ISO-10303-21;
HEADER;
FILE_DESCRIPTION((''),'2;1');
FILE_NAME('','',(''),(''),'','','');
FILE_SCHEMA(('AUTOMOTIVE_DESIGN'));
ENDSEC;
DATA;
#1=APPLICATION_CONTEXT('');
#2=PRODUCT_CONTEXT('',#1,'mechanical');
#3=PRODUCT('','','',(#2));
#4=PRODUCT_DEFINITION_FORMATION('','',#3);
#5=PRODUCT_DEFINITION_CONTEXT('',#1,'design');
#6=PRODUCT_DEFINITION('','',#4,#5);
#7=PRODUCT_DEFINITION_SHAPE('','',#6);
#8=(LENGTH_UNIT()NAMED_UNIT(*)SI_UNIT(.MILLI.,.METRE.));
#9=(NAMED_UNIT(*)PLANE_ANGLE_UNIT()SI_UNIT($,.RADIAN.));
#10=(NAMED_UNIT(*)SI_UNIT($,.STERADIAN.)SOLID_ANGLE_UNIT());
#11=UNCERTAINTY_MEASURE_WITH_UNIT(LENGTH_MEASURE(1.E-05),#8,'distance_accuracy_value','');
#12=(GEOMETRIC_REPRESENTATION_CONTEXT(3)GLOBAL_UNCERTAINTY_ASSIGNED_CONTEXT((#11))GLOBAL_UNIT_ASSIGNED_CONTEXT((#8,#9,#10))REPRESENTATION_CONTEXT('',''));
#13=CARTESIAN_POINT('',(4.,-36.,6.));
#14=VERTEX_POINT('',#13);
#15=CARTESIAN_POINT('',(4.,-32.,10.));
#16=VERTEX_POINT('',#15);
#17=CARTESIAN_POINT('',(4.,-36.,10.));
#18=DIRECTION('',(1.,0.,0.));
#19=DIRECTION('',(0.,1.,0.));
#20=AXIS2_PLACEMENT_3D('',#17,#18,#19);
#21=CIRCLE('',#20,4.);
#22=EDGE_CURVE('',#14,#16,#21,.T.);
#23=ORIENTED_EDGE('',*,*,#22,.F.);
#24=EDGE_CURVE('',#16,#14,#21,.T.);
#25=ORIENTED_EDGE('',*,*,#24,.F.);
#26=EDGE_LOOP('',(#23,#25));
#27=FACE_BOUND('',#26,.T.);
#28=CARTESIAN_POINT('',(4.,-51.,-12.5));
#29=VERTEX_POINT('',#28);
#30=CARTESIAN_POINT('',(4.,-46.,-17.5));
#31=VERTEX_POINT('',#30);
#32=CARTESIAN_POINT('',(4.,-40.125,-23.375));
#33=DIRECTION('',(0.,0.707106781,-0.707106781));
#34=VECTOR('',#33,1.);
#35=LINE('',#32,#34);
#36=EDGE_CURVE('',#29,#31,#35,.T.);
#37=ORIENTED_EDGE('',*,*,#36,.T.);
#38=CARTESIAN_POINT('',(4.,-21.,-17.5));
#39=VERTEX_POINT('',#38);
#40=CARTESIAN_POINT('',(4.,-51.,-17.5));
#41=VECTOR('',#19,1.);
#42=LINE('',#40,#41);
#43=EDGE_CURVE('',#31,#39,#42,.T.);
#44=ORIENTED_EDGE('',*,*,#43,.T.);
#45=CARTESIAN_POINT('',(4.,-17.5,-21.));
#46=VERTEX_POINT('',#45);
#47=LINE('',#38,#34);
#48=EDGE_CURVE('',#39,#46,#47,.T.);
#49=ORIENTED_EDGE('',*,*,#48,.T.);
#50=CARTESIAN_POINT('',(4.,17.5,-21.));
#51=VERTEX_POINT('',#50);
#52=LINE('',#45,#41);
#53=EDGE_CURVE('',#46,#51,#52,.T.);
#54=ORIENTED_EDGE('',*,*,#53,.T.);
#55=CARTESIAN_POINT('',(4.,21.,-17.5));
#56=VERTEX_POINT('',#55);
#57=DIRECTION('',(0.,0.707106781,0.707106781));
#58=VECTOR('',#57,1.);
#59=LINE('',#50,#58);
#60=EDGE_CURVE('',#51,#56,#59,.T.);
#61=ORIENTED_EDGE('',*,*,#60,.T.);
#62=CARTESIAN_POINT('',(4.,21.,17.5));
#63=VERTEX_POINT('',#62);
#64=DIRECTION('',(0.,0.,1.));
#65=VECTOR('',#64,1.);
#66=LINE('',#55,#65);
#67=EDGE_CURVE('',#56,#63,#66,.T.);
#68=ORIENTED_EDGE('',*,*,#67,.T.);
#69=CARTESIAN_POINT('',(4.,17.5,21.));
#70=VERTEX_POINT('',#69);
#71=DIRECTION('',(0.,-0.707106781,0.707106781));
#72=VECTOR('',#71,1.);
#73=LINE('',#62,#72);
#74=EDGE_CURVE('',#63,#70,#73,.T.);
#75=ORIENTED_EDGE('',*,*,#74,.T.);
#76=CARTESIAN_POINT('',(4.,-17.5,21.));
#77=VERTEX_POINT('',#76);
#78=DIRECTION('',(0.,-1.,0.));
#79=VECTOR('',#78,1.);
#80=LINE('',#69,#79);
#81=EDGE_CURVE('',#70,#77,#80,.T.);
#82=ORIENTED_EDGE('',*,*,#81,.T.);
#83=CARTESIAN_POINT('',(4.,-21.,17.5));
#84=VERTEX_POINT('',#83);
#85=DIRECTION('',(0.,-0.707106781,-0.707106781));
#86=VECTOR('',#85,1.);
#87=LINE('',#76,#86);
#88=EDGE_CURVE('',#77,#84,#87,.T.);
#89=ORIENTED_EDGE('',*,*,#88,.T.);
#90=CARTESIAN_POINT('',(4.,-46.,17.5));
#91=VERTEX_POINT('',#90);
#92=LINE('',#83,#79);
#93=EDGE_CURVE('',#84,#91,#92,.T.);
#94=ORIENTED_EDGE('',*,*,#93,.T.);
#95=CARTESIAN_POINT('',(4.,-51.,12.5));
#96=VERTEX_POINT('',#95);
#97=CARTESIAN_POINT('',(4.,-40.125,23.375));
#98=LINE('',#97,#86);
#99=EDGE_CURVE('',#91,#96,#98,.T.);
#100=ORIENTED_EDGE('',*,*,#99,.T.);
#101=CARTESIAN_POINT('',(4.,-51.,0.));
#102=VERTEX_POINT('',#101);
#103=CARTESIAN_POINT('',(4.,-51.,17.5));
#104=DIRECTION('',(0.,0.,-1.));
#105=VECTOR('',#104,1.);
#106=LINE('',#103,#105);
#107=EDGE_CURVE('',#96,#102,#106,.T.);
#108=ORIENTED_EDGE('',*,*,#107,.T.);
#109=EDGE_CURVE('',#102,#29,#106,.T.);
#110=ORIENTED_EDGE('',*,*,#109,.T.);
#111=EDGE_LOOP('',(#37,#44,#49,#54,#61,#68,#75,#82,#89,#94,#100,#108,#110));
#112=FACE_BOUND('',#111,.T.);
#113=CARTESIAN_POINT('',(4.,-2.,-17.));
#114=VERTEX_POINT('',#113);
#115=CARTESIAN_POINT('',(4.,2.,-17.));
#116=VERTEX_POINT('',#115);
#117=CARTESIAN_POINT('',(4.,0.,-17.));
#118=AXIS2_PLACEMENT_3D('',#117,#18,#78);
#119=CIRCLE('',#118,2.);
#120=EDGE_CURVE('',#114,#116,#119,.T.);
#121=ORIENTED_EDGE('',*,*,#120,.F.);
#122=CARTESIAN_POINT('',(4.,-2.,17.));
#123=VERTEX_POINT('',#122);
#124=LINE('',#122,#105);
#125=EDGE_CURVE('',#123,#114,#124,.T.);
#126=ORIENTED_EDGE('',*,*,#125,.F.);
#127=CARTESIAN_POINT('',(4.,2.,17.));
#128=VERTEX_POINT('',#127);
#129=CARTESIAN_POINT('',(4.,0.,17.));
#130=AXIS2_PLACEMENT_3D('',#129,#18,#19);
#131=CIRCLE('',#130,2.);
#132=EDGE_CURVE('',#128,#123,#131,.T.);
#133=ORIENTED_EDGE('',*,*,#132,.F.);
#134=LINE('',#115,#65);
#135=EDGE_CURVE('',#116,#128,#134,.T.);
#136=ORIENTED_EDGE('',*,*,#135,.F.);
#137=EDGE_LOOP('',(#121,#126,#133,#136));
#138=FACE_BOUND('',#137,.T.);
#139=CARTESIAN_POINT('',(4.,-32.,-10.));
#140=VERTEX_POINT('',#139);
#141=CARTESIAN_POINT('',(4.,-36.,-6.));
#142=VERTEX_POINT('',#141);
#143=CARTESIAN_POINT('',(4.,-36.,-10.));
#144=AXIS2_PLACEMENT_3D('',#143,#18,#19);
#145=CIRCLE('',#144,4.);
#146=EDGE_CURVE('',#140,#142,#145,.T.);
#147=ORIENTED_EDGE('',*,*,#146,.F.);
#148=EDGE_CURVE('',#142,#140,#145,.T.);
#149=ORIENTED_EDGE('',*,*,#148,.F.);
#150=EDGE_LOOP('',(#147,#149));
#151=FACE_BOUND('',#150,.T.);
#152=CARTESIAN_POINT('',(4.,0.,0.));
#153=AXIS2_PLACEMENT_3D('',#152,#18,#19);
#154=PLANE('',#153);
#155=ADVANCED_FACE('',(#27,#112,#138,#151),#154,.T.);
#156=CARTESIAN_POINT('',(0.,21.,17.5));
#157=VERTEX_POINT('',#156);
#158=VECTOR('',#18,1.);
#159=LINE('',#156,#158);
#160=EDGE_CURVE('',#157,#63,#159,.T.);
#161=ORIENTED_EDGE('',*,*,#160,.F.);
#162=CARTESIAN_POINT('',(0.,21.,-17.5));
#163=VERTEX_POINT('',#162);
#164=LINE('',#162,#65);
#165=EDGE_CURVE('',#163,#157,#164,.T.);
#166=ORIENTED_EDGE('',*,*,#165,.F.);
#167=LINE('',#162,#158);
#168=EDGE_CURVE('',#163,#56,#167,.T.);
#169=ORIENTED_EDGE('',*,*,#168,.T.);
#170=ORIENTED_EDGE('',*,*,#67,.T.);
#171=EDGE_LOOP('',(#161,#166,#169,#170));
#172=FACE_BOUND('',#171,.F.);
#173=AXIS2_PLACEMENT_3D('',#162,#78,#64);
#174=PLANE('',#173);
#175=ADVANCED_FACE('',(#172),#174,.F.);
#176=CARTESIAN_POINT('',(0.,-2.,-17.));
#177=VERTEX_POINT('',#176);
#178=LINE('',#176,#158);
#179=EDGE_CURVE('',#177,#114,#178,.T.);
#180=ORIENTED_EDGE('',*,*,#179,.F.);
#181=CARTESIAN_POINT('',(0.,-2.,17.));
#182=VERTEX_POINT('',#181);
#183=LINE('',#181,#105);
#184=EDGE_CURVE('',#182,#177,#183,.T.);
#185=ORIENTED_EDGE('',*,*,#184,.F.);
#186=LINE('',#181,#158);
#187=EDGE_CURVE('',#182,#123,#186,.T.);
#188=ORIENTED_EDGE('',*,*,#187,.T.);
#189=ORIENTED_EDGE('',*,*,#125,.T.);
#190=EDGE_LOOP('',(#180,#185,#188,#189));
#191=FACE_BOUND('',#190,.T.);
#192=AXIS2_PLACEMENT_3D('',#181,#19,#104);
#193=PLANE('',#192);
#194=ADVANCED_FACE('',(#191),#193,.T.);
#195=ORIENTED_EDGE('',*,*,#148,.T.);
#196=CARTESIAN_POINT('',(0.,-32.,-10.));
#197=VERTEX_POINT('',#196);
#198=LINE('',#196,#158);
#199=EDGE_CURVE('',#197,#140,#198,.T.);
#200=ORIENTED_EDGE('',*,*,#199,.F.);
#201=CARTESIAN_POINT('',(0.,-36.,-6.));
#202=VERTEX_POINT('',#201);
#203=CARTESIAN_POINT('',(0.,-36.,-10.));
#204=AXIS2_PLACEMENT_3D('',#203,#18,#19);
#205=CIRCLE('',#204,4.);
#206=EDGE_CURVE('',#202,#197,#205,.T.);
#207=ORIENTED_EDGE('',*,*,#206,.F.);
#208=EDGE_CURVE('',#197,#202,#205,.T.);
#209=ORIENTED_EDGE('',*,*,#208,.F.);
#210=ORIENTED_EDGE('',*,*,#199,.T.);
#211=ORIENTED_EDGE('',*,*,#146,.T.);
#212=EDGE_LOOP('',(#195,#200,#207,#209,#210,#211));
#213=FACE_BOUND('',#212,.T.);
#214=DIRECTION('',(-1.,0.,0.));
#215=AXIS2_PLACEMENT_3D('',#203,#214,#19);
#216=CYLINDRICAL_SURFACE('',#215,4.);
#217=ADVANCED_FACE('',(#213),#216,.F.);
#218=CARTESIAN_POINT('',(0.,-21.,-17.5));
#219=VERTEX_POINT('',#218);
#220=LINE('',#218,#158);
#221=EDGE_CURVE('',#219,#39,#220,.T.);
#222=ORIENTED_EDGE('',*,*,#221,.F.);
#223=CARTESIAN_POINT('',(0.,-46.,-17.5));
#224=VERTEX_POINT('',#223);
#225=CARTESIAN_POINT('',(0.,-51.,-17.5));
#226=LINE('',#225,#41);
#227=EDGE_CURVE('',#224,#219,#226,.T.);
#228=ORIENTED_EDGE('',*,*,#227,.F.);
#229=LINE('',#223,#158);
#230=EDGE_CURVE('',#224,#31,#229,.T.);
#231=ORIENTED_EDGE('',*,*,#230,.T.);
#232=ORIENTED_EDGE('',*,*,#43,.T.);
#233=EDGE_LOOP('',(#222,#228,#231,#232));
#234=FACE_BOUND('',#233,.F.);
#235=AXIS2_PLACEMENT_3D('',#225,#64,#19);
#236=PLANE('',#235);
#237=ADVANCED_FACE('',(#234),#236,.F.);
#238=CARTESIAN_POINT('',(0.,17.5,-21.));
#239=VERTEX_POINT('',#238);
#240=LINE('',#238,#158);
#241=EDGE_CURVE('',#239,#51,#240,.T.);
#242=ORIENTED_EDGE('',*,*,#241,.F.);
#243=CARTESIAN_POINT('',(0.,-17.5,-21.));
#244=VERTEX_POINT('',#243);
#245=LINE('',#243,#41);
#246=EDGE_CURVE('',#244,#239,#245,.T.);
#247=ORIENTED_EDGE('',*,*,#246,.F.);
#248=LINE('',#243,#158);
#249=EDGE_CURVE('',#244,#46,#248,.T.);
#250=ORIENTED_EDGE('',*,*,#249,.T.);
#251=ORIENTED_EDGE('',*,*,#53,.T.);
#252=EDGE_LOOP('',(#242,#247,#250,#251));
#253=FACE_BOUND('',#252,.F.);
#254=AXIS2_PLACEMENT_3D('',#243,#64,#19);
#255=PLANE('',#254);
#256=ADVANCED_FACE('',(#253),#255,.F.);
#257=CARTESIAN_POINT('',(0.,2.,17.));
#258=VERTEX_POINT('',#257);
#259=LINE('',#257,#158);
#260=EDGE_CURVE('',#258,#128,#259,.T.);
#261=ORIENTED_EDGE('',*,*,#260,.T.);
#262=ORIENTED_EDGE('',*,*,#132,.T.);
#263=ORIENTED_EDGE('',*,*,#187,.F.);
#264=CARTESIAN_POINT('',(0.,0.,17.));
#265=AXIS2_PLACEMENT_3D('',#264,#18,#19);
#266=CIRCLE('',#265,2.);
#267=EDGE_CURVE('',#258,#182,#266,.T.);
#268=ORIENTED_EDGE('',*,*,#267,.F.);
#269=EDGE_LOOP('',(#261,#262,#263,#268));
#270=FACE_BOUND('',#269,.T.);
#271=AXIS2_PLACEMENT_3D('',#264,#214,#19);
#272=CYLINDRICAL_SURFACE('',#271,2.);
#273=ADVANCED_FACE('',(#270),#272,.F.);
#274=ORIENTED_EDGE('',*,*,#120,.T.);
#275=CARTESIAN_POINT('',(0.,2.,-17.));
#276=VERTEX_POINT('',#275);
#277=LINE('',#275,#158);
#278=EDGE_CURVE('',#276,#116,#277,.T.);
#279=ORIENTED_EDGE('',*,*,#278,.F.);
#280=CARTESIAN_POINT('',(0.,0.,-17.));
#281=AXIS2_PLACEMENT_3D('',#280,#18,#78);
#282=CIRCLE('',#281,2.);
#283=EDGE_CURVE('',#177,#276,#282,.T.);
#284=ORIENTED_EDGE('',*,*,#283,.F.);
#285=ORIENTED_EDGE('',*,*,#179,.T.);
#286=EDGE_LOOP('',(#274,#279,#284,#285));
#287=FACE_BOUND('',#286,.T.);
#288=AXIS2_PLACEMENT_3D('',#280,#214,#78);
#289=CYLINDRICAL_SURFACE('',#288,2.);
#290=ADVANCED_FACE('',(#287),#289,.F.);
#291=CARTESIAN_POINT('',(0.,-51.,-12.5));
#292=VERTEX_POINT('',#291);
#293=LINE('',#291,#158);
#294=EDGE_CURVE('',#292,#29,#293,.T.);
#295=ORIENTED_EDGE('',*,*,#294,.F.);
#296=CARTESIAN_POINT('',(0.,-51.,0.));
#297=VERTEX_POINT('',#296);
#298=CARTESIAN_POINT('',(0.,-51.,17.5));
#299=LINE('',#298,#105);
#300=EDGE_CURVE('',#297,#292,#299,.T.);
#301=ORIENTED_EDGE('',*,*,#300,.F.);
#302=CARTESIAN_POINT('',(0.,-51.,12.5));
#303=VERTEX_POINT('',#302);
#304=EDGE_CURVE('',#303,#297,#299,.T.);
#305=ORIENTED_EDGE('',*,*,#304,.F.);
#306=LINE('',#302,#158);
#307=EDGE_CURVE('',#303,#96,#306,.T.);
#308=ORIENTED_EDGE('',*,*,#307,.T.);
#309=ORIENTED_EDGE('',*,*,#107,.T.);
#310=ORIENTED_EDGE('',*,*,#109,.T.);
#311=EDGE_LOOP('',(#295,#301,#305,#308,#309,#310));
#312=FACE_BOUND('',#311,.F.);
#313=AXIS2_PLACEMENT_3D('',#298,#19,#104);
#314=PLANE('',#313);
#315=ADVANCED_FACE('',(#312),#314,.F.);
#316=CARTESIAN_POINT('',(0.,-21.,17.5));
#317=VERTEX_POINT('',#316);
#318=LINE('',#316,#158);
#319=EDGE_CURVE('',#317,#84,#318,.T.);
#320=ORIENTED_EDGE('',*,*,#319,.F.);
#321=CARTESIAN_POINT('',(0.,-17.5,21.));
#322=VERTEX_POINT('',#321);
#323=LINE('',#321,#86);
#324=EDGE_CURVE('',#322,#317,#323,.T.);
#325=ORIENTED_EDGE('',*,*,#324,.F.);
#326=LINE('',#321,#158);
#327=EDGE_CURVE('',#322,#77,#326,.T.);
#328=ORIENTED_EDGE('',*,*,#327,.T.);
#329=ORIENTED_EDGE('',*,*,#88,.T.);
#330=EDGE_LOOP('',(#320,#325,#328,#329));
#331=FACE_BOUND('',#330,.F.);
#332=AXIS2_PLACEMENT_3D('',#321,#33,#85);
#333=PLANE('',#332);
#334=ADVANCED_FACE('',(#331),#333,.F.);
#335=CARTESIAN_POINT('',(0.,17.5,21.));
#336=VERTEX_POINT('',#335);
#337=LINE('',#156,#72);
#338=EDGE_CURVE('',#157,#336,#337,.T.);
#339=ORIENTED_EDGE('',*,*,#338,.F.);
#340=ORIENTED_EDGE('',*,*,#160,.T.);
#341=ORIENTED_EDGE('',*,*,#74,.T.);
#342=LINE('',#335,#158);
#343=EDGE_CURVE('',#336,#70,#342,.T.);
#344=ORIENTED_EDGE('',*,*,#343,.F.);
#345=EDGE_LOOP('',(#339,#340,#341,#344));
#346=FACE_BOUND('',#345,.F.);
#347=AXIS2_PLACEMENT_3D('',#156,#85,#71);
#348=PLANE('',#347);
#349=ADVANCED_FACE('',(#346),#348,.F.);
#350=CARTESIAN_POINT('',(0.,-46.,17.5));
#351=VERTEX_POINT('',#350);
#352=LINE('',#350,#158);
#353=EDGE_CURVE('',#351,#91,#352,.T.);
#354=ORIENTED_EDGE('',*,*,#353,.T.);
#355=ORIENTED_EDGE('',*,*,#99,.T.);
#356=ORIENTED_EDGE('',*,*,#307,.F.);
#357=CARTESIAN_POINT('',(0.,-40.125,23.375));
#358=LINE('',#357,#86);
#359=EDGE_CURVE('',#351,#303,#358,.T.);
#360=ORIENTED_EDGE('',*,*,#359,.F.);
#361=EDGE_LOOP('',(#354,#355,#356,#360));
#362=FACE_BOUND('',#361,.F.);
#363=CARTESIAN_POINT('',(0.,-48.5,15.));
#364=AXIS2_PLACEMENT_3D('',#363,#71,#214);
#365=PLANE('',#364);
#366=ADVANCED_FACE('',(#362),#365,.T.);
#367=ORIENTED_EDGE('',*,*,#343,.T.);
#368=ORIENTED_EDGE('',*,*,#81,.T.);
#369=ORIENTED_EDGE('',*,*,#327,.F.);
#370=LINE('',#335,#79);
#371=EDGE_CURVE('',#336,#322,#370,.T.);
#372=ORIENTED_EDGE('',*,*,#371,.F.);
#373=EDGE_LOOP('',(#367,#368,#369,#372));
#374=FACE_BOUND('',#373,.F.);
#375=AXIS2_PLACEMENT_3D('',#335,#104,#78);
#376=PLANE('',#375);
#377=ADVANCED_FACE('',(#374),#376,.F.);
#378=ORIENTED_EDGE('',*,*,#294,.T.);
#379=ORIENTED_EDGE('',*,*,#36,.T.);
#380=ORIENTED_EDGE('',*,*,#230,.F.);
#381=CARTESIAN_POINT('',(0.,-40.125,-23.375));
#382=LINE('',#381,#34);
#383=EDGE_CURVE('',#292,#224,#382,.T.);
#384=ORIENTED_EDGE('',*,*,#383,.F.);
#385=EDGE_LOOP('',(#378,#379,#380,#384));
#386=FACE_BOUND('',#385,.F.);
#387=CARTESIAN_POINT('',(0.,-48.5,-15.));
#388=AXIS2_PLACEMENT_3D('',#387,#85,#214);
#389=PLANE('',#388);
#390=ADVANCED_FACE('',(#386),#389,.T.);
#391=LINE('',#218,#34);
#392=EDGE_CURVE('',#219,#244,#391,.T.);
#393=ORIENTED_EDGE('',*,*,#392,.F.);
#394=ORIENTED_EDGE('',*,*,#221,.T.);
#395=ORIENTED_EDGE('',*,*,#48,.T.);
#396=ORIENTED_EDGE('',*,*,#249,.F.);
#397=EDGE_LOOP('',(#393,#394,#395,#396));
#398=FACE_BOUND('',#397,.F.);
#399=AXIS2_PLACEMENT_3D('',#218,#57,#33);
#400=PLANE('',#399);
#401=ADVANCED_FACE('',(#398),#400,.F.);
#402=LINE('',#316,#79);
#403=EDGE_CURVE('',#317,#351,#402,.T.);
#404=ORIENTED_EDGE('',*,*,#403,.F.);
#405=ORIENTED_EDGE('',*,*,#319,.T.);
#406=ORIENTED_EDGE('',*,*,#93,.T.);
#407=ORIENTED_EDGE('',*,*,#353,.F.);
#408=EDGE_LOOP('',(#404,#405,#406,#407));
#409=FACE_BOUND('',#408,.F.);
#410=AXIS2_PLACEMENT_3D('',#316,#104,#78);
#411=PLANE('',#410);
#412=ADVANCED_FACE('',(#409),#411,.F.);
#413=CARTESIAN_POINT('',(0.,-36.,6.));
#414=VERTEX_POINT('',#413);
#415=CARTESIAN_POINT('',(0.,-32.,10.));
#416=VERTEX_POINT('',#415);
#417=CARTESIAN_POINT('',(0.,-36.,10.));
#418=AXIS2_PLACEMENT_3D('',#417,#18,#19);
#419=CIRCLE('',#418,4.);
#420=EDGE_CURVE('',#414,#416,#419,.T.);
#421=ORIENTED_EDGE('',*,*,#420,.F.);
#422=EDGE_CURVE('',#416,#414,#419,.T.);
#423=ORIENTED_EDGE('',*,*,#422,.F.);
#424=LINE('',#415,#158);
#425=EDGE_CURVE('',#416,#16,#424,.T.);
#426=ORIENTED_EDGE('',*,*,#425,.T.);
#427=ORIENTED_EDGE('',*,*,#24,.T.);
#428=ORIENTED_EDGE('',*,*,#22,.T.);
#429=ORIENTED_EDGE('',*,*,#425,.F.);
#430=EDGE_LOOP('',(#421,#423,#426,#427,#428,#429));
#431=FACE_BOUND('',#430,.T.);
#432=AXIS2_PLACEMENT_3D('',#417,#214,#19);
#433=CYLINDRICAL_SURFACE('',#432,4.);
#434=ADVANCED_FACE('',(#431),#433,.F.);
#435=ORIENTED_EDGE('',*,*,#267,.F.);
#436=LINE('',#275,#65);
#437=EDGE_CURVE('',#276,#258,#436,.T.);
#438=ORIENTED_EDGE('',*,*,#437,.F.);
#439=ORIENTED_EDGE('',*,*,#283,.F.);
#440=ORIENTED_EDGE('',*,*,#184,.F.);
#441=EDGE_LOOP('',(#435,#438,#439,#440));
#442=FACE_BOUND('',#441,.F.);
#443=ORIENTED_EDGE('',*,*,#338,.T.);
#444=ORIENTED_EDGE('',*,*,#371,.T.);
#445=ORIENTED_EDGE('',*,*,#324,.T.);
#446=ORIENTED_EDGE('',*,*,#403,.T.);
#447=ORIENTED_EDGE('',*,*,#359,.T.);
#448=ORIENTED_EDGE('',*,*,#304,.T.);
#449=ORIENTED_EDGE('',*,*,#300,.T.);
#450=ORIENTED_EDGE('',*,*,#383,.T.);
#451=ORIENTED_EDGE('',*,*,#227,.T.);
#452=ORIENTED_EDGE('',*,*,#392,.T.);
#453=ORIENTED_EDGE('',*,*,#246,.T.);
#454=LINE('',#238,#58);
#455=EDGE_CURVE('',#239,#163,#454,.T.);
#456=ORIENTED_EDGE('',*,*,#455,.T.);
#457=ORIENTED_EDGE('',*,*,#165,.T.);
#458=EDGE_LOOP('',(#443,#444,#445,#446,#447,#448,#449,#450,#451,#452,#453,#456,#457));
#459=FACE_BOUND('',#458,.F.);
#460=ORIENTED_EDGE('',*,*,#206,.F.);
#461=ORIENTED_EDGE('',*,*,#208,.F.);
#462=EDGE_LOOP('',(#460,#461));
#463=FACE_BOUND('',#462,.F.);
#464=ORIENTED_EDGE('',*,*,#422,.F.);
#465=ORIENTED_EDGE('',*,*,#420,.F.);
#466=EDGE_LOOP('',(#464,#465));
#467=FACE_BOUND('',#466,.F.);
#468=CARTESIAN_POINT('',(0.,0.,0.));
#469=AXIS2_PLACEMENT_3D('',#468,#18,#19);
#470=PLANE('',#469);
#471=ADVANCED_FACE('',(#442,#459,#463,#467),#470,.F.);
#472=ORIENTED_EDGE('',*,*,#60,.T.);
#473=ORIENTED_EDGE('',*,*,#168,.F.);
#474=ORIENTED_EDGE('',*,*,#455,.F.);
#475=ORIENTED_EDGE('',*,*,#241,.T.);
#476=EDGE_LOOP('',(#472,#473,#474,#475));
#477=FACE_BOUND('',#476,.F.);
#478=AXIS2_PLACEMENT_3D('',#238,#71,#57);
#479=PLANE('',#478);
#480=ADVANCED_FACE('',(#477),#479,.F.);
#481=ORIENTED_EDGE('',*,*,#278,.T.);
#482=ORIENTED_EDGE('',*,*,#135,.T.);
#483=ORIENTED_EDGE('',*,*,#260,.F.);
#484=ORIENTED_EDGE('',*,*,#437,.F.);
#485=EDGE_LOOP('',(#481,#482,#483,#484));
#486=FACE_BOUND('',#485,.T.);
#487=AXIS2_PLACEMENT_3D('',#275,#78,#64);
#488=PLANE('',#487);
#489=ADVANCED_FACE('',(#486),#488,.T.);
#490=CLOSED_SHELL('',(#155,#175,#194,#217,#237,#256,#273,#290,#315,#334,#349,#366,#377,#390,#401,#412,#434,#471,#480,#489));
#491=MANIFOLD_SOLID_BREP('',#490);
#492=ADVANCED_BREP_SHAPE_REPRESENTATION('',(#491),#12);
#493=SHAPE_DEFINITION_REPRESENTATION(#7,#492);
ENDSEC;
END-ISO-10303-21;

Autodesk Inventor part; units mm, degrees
ref_plane "YZ Plane" through (0, 0, 0) normal (1, 0, 0) x (0, 1, 0)
ref_plane "XZ Plane" through (0, 0, 0) normal (0, 1, 0) x (-1, 0, 0)
ref_plane "XY Plane" through (0, 0, 0) normal (0, 0, 1) x (1, 0, 0)
sketch "Эскиз1" plane through (0, 0, 0) normal (1, 0, 0) x (0, 1, 0)
  line L0 (-17.5, 21) -> (-21, 17.5)
  line L1 (-21, 17.5) -> (-21, -17.5)
  line L2 (-21, -17.5) -> (-17.5, -21)
  line L3 (-17.5, -21) -> (17.5, -21)
  line L4 (17.5, -21) -> (21, -17.5)
  line L5 (21, -17.5) -> (21, 17.5)
  line L6 (21, 17.5) -> (17.5, 21)
  line L7 (17.5, 21) -> (-17.5, 21)
  line L8 (-21, 17.5) -> (-51, 17.5)
  line L9 (-51, 17.5) -> (-51, -17.5)
  line L10 (-51, -17.5) -> (-21, -17.5)
  line L11 (-21, -17.5) -> (-21, 17.5)
  line L12 (-51, 0) -> (-36, 0)
  line L13 (-36, 0) -> (-36, 10)
  line L14 (-36, 10) -> (-36, -10)
  circle A0 centre (-36, 10) radius 4
  circle A1 centre (-36, -10) radius 4
  line L15 (0, 17) -> (0, -17) construction
  line L16 (-2, 17) -> (-2, -17)
  line L17 (2, -17) -> (2, 17)
  arc A2 (2, 17) -> (-2, 17) centre (0, 17) ccw
  arc A3 (-2, -17) -> (2, -17) centre (0, -17) ccw
  point P0 (0, 0)
  point P1 (0, 0)
  point P2 (0, 0)
  dimension "d0" = 30
  dimension "d1" = 15
  dimension "d2" = 10
  dimension "d3" = 20
  dimension "d4" = 8
  dimension "d5" = 8
  dimension "d12" = 17
  dimension "d13" = 4
extrude "Выдавливание1" add sketch "Эскиз1" along normal blind 4
chamfer "Фаска1" distance 5 angle 45 2 edges at (2, -51, 17.5) (2, -51, -17.5)
properties part number "КВ33.044.002 - Держатель катка" material "Пластик АБС"
